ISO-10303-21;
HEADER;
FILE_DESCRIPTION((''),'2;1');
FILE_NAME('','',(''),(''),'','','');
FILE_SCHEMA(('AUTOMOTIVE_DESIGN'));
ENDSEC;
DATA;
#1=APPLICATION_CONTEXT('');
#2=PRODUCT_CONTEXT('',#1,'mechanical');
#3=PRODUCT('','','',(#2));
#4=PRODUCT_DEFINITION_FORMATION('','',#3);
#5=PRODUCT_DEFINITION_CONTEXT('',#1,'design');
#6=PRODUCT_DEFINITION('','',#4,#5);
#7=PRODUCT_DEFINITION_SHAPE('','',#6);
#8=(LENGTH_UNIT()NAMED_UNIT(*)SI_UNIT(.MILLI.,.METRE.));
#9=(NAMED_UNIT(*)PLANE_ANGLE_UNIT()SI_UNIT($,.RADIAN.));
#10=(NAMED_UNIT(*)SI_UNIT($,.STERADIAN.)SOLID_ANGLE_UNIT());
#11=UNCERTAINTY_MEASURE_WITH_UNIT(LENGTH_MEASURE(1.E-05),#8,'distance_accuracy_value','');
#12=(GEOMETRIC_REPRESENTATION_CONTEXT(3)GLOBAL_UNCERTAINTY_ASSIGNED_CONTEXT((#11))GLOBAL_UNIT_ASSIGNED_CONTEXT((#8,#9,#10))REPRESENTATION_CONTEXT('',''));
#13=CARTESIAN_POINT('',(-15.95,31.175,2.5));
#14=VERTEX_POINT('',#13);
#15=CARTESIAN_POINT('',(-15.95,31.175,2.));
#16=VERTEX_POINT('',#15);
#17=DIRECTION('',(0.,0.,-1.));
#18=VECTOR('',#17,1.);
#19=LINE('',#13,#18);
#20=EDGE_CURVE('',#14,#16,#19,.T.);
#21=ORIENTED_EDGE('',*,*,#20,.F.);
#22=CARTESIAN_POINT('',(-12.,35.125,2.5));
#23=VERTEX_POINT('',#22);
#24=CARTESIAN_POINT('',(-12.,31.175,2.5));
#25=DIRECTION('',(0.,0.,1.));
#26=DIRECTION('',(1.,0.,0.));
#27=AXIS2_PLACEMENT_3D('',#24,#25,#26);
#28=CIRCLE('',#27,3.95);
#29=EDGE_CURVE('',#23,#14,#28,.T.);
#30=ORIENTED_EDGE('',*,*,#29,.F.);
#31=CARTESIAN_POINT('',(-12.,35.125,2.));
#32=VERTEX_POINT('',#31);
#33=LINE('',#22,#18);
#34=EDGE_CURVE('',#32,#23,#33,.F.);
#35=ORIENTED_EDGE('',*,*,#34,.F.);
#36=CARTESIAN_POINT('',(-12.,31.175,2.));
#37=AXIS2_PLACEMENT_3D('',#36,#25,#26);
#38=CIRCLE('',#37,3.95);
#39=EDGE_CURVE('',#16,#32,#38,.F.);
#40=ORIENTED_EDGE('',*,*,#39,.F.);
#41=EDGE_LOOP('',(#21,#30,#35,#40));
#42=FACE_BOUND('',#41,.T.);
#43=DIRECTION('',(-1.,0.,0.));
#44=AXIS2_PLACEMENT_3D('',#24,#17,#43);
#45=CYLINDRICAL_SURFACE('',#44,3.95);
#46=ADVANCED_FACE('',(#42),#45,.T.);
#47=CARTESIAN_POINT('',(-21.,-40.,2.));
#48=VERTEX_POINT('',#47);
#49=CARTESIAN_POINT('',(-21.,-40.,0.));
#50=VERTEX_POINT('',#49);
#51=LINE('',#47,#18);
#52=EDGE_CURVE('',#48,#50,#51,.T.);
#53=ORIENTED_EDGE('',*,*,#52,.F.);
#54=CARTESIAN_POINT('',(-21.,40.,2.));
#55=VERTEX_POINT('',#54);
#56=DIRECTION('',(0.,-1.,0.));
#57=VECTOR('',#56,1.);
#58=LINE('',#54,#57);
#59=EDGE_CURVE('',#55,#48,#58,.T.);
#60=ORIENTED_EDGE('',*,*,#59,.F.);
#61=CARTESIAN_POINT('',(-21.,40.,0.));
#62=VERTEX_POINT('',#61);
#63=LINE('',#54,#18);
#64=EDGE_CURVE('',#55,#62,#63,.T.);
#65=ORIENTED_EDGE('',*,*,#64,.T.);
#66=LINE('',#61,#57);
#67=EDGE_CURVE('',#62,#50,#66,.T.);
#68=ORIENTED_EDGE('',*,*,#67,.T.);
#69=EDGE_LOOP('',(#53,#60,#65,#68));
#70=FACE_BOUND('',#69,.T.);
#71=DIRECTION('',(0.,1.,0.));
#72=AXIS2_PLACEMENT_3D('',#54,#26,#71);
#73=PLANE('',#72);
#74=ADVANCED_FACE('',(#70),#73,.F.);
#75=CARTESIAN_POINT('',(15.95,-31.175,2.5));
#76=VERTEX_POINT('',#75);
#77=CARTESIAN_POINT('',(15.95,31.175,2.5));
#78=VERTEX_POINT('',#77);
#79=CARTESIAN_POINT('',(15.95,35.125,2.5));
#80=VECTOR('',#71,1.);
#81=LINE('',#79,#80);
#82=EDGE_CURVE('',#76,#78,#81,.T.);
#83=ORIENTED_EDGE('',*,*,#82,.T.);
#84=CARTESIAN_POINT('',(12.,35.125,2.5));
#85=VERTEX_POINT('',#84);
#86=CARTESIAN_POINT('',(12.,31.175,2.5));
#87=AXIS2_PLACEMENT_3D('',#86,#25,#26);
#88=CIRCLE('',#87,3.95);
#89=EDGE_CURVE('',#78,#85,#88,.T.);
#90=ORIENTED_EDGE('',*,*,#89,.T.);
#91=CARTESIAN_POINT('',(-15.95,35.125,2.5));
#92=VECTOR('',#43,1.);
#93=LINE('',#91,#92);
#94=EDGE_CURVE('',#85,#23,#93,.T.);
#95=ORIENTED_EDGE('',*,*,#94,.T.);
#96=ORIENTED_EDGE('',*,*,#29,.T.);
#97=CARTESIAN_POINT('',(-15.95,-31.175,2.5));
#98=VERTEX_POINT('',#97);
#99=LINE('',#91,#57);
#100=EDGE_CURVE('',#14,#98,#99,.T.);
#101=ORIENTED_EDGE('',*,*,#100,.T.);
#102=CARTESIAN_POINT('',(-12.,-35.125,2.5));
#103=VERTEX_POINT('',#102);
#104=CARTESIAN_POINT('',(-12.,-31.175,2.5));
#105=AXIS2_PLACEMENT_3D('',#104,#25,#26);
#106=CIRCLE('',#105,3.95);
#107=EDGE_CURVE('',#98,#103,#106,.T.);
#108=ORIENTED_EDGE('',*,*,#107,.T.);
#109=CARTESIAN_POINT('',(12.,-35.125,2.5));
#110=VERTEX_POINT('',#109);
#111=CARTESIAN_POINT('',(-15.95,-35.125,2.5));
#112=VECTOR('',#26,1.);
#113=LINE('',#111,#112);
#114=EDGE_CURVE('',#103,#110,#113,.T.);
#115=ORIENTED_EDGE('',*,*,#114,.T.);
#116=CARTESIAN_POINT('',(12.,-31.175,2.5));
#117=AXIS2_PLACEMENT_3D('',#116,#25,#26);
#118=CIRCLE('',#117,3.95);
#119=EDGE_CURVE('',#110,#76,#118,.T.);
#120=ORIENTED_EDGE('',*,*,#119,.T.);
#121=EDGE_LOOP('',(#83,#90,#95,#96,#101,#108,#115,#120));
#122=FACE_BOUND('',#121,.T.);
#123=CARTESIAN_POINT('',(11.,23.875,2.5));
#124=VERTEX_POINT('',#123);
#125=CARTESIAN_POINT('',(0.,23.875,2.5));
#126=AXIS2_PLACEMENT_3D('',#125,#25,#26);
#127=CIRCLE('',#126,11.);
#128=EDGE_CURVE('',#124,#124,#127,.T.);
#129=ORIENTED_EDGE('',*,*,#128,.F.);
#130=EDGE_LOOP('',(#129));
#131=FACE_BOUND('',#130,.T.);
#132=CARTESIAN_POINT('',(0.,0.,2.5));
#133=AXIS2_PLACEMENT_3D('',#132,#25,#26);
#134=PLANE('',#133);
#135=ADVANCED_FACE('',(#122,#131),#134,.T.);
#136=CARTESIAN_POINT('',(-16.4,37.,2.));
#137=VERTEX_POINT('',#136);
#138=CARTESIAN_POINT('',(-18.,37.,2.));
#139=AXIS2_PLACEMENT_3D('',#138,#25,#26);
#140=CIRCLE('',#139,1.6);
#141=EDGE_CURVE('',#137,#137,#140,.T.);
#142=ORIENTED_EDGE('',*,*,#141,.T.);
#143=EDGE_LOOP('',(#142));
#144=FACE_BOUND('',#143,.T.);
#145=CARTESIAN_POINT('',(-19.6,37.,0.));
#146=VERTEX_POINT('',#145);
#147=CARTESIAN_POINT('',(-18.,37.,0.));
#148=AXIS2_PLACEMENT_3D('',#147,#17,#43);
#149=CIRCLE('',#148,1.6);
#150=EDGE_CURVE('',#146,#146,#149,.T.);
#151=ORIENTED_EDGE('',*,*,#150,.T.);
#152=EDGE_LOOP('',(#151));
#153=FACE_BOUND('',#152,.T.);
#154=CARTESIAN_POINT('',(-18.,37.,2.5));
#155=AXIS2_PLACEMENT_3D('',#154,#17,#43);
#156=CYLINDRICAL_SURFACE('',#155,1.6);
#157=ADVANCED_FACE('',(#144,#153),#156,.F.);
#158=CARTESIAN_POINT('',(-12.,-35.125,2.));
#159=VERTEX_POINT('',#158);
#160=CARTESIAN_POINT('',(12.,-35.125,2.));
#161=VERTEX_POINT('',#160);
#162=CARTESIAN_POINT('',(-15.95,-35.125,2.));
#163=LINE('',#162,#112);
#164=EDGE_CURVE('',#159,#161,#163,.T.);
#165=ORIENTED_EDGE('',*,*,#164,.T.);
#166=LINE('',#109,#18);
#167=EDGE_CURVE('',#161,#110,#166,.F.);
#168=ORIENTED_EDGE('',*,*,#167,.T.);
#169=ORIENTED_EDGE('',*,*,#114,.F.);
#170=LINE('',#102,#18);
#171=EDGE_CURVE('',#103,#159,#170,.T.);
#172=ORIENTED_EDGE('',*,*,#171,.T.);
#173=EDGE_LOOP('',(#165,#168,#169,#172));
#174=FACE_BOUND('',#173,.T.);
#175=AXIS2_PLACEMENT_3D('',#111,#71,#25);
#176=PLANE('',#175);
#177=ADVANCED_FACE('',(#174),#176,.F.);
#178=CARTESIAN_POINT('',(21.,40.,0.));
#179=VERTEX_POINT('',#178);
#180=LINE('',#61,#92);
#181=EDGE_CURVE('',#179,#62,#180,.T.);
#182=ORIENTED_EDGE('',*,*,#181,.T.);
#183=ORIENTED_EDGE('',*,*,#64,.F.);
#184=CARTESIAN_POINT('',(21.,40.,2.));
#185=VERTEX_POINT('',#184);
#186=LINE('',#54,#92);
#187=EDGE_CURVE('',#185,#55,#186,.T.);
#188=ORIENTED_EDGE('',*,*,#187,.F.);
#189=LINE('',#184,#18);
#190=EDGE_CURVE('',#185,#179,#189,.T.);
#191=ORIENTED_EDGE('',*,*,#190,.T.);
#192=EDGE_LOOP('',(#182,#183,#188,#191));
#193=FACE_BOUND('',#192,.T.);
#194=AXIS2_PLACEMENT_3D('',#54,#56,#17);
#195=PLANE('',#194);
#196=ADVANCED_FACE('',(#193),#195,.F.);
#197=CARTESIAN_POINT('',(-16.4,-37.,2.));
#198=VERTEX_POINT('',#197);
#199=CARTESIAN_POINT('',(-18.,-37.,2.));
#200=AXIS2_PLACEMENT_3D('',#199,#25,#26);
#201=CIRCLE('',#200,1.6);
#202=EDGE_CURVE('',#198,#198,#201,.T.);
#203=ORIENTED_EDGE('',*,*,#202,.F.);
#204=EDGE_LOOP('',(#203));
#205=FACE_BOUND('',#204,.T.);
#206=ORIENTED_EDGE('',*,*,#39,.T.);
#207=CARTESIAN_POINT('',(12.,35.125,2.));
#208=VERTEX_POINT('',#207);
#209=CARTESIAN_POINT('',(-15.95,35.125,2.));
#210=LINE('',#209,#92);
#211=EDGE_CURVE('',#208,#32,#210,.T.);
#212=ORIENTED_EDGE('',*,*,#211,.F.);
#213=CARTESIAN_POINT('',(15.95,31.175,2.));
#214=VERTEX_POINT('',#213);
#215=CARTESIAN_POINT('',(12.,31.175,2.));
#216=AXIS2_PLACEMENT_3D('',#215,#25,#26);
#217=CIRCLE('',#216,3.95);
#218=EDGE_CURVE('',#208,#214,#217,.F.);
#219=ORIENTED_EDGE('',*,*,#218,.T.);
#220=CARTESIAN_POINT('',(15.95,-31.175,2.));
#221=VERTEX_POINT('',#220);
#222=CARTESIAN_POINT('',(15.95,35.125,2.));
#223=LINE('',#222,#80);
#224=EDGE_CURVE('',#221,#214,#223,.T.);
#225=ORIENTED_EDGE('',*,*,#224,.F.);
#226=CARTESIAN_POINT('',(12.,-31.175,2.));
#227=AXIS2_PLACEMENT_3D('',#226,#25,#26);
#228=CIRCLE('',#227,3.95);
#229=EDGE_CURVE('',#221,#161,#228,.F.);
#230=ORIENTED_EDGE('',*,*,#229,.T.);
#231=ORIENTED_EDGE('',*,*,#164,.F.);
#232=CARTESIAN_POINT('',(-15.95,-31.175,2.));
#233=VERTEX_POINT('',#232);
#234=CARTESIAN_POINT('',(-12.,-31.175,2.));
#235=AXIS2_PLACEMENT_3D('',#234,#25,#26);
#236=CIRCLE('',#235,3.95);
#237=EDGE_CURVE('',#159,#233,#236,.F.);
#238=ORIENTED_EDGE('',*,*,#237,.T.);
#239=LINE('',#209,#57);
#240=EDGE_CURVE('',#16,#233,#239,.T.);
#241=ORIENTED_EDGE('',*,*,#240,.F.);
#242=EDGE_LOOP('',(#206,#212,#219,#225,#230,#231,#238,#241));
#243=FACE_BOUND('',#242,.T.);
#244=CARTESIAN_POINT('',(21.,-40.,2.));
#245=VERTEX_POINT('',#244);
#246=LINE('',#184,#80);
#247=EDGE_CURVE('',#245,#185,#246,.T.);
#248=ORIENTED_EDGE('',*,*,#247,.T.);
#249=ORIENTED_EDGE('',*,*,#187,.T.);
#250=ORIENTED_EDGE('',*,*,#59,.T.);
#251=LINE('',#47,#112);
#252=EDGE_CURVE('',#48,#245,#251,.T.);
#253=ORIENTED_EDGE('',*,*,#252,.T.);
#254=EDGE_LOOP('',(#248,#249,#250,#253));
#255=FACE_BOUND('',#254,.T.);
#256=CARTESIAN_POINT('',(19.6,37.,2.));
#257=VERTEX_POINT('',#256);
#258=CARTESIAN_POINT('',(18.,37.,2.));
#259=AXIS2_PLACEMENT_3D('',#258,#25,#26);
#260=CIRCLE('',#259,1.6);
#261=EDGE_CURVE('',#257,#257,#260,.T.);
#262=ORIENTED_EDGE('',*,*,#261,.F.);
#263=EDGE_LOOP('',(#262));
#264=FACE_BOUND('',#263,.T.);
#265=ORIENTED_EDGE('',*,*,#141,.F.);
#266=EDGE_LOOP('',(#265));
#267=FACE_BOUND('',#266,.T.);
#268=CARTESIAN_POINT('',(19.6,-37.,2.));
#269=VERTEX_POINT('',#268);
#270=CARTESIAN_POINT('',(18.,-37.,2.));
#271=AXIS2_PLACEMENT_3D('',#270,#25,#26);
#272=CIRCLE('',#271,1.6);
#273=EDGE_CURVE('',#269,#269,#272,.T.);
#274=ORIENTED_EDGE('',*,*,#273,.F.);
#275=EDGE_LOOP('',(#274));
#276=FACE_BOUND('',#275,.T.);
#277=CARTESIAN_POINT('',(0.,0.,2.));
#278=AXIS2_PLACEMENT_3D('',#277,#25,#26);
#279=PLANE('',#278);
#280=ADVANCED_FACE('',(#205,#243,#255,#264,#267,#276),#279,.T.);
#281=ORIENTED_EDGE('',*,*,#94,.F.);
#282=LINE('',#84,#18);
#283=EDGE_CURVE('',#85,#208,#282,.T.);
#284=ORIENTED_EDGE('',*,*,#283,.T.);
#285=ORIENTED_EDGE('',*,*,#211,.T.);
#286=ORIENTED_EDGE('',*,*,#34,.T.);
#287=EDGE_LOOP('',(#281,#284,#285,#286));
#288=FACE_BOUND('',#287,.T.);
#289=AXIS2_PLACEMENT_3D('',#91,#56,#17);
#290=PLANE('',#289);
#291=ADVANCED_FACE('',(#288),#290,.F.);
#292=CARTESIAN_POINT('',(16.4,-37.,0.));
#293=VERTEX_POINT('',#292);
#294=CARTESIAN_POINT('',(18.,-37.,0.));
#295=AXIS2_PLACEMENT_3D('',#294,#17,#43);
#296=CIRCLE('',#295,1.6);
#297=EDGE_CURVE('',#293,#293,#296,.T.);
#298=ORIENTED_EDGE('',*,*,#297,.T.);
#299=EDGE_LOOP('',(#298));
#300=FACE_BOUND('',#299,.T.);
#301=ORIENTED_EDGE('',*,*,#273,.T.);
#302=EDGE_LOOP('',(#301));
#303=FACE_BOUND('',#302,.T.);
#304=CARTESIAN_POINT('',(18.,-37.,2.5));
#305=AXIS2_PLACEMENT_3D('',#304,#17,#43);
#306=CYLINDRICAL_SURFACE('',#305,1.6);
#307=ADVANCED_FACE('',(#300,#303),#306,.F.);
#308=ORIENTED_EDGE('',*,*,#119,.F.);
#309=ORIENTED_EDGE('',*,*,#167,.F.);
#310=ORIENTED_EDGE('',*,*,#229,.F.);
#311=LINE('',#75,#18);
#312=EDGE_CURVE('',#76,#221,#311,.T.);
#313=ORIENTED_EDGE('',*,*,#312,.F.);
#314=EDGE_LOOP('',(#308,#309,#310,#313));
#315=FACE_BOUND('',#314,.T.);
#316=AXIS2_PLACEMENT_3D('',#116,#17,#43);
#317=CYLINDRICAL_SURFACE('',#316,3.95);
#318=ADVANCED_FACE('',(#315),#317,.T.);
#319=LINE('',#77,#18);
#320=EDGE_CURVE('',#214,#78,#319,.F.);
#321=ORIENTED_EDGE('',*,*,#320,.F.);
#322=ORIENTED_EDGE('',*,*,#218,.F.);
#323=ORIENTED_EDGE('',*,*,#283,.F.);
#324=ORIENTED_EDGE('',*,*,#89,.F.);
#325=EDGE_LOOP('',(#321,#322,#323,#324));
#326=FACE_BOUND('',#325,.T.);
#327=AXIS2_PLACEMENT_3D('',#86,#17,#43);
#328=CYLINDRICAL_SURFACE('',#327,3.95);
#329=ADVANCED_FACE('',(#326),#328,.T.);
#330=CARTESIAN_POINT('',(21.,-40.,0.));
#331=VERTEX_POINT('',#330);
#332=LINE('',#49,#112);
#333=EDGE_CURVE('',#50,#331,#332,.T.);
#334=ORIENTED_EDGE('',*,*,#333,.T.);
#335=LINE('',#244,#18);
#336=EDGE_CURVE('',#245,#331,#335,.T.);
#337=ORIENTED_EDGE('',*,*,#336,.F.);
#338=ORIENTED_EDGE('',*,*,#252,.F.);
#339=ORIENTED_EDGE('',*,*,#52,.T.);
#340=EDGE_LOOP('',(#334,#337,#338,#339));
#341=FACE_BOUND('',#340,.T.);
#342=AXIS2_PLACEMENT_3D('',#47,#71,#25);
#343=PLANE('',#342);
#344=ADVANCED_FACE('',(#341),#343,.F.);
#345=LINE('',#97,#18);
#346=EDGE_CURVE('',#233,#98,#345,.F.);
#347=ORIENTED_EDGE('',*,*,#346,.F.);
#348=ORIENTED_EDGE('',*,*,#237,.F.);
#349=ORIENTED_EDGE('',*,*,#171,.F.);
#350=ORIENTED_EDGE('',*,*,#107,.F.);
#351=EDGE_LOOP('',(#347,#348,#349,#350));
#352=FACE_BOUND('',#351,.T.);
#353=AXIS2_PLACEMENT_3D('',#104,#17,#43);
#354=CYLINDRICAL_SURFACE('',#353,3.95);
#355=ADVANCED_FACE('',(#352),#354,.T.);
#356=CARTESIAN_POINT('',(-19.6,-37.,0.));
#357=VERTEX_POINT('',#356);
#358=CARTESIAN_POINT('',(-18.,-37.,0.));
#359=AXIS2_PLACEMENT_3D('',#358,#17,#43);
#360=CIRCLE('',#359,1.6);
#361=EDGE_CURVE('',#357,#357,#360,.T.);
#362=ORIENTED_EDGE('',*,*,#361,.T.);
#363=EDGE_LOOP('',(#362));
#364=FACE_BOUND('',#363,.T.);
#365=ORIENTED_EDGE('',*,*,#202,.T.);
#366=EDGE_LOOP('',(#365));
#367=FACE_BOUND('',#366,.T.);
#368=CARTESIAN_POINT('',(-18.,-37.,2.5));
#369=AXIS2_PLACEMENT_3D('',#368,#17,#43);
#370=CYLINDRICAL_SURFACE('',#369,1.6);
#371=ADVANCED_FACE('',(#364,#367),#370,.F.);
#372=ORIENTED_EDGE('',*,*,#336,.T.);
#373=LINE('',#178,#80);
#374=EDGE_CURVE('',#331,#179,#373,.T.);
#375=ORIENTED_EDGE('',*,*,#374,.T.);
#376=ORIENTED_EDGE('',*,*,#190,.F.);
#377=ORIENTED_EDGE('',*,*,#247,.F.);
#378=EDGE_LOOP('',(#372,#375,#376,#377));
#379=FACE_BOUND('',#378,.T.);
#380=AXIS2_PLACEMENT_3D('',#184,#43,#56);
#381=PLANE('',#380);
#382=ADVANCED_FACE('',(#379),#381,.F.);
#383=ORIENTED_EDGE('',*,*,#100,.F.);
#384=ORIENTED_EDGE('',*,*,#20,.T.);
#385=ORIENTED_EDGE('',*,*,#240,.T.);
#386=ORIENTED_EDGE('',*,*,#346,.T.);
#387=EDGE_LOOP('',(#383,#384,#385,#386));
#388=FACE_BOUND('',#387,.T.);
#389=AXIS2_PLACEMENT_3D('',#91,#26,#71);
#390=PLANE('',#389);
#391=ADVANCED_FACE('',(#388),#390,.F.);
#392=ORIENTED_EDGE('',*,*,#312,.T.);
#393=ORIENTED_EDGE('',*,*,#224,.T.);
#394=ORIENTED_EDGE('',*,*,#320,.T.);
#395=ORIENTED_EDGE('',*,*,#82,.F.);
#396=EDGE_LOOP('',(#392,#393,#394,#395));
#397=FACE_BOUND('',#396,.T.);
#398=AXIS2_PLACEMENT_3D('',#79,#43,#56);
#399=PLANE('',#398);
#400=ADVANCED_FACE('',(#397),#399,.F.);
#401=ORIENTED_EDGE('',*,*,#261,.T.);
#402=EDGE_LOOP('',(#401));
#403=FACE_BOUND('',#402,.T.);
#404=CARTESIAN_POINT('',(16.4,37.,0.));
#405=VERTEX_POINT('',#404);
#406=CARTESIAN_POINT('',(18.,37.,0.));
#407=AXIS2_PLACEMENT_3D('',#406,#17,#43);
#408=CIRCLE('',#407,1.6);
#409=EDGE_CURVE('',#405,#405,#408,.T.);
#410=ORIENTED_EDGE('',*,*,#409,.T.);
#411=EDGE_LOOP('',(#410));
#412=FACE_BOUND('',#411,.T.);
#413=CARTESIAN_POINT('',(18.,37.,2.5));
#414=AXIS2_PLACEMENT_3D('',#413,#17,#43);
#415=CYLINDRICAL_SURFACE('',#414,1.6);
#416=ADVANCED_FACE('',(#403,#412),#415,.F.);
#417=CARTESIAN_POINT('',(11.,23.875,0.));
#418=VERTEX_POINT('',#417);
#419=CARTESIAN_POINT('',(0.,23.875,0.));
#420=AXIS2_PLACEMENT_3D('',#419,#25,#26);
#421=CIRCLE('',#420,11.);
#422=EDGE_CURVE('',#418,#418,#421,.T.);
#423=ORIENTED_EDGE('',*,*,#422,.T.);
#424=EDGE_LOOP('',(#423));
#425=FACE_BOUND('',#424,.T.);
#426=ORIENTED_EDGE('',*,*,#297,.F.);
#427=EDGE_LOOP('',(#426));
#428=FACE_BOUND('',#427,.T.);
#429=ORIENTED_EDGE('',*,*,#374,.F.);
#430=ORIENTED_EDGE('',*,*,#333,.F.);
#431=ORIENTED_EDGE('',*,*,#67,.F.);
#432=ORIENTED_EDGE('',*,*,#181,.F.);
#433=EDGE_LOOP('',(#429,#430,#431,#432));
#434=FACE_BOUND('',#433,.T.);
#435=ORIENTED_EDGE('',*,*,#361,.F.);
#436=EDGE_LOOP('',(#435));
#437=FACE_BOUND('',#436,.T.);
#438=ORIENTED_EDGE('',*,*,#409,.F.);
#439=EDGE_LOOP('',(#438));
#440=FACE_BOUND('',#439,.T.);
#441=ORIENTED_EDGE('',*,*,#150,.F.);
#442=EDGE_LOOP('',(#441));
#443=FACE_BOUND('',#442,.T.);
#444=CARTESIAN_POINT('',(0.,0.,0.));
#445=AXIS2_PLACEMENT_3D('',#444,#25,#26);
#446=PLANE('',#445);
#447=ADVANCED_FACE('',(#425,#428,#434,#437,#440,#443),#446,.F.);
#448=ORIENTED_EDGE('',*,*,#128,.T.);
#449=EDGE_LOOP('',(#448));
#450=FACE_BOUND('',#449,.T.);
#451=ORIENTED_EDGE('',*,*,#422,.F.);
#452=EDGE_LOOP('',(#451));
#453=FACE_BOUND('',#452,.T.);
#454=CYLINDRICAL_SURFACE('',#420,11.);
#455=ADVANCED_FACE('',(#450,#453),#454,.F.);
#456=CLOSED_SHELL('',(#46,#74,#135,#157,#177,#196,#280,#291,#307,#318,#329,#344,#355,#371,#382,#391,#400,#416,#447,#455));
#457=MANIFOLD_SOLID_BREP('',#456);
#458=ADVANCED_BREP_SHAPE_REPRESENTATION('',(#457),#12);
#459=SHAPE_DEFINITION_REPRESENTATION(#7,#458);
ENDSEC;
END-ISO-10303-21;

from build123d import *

# Parameters (mm, degrees)
SKETCH2_W           = 42
SKETCH2_H           = 80
BOSS_EXTRUDE1_DEPTH = 2
SKETCH5_W           = 31.9
SKETCH5_H           = 70.25
BOSS_EXTRUDE2_DEPTH = 0.5
FILLET1_R           = 3.95
SKETCH7_R           = 11
CUT_EXTRUDE1_DEPTH  = 46.24654683
SKETCH8_R           = 1.6
CUT_EXTRUDE2_DEPTH  = 46.24654683


with BuildPart() as part:
    # Sketch2 → Boss-Extrude1 (new body)
    with BuildSketch(Plane.XY):
        Rectangle(SKETCH2_W, SKETCH2_H)
    extrude(amount=BOSS_EXTRUDE1_DEPTH)

    # Sketch5 → Boss-Extrude2 (add)
    with BuildSketch(Plane.XY.offset(2)):
        Rectangle(SKETCH5_W, SKETCH5_H)
    extrude(amount=BOSS_EXTRUDE2_DEPTH)

    # Fillet1
    fillet1_edges = [part.edges().sort_by_distance(p)[0] for p in [
        (15.95, -35.125, 2.25),
        (15.95, 35.125, 2.25),
        (-15.95, 35.125, 2.25),
        (-15.95, -35.125, 2.25),
    ]]
    fillet(fillet1_edges, radius=FILLET1_R)

    # Sketch7 → Cut-Extrude1 (cut, through all)
    with BuildSketch(Plane.XY.offset(2.5)):
        with Locations((0, 23.875)):
            Circle(SKETCH7_R)
    extrude(amount=-CUT_EXTRUDE1_DEPTH, mode=Mode.SUBTRACT)

    # Sketch8 → Cut-Extrude2 (cut, through all)
    with BuildSketch(Plane(origin=(0, 0, 0), x_dir=(-1, 0, 0), z_dir=(0, 0, -1))):
        with Locations((18, 37)):
            Circle(SKETCH8_R)
        with Locations((-18, 37)):
            Circle(SKETCH8_R)
        with Locations((-18, -37)):
            Circle(SKETCH8_R)
        with Locations((18, -37)):
            Circle(SKETCH8_R)
    extrude(amount=-CUT_EXTRUDE2_DEPTH, mode=Mode.SUBTRACT)


solid = part.part
